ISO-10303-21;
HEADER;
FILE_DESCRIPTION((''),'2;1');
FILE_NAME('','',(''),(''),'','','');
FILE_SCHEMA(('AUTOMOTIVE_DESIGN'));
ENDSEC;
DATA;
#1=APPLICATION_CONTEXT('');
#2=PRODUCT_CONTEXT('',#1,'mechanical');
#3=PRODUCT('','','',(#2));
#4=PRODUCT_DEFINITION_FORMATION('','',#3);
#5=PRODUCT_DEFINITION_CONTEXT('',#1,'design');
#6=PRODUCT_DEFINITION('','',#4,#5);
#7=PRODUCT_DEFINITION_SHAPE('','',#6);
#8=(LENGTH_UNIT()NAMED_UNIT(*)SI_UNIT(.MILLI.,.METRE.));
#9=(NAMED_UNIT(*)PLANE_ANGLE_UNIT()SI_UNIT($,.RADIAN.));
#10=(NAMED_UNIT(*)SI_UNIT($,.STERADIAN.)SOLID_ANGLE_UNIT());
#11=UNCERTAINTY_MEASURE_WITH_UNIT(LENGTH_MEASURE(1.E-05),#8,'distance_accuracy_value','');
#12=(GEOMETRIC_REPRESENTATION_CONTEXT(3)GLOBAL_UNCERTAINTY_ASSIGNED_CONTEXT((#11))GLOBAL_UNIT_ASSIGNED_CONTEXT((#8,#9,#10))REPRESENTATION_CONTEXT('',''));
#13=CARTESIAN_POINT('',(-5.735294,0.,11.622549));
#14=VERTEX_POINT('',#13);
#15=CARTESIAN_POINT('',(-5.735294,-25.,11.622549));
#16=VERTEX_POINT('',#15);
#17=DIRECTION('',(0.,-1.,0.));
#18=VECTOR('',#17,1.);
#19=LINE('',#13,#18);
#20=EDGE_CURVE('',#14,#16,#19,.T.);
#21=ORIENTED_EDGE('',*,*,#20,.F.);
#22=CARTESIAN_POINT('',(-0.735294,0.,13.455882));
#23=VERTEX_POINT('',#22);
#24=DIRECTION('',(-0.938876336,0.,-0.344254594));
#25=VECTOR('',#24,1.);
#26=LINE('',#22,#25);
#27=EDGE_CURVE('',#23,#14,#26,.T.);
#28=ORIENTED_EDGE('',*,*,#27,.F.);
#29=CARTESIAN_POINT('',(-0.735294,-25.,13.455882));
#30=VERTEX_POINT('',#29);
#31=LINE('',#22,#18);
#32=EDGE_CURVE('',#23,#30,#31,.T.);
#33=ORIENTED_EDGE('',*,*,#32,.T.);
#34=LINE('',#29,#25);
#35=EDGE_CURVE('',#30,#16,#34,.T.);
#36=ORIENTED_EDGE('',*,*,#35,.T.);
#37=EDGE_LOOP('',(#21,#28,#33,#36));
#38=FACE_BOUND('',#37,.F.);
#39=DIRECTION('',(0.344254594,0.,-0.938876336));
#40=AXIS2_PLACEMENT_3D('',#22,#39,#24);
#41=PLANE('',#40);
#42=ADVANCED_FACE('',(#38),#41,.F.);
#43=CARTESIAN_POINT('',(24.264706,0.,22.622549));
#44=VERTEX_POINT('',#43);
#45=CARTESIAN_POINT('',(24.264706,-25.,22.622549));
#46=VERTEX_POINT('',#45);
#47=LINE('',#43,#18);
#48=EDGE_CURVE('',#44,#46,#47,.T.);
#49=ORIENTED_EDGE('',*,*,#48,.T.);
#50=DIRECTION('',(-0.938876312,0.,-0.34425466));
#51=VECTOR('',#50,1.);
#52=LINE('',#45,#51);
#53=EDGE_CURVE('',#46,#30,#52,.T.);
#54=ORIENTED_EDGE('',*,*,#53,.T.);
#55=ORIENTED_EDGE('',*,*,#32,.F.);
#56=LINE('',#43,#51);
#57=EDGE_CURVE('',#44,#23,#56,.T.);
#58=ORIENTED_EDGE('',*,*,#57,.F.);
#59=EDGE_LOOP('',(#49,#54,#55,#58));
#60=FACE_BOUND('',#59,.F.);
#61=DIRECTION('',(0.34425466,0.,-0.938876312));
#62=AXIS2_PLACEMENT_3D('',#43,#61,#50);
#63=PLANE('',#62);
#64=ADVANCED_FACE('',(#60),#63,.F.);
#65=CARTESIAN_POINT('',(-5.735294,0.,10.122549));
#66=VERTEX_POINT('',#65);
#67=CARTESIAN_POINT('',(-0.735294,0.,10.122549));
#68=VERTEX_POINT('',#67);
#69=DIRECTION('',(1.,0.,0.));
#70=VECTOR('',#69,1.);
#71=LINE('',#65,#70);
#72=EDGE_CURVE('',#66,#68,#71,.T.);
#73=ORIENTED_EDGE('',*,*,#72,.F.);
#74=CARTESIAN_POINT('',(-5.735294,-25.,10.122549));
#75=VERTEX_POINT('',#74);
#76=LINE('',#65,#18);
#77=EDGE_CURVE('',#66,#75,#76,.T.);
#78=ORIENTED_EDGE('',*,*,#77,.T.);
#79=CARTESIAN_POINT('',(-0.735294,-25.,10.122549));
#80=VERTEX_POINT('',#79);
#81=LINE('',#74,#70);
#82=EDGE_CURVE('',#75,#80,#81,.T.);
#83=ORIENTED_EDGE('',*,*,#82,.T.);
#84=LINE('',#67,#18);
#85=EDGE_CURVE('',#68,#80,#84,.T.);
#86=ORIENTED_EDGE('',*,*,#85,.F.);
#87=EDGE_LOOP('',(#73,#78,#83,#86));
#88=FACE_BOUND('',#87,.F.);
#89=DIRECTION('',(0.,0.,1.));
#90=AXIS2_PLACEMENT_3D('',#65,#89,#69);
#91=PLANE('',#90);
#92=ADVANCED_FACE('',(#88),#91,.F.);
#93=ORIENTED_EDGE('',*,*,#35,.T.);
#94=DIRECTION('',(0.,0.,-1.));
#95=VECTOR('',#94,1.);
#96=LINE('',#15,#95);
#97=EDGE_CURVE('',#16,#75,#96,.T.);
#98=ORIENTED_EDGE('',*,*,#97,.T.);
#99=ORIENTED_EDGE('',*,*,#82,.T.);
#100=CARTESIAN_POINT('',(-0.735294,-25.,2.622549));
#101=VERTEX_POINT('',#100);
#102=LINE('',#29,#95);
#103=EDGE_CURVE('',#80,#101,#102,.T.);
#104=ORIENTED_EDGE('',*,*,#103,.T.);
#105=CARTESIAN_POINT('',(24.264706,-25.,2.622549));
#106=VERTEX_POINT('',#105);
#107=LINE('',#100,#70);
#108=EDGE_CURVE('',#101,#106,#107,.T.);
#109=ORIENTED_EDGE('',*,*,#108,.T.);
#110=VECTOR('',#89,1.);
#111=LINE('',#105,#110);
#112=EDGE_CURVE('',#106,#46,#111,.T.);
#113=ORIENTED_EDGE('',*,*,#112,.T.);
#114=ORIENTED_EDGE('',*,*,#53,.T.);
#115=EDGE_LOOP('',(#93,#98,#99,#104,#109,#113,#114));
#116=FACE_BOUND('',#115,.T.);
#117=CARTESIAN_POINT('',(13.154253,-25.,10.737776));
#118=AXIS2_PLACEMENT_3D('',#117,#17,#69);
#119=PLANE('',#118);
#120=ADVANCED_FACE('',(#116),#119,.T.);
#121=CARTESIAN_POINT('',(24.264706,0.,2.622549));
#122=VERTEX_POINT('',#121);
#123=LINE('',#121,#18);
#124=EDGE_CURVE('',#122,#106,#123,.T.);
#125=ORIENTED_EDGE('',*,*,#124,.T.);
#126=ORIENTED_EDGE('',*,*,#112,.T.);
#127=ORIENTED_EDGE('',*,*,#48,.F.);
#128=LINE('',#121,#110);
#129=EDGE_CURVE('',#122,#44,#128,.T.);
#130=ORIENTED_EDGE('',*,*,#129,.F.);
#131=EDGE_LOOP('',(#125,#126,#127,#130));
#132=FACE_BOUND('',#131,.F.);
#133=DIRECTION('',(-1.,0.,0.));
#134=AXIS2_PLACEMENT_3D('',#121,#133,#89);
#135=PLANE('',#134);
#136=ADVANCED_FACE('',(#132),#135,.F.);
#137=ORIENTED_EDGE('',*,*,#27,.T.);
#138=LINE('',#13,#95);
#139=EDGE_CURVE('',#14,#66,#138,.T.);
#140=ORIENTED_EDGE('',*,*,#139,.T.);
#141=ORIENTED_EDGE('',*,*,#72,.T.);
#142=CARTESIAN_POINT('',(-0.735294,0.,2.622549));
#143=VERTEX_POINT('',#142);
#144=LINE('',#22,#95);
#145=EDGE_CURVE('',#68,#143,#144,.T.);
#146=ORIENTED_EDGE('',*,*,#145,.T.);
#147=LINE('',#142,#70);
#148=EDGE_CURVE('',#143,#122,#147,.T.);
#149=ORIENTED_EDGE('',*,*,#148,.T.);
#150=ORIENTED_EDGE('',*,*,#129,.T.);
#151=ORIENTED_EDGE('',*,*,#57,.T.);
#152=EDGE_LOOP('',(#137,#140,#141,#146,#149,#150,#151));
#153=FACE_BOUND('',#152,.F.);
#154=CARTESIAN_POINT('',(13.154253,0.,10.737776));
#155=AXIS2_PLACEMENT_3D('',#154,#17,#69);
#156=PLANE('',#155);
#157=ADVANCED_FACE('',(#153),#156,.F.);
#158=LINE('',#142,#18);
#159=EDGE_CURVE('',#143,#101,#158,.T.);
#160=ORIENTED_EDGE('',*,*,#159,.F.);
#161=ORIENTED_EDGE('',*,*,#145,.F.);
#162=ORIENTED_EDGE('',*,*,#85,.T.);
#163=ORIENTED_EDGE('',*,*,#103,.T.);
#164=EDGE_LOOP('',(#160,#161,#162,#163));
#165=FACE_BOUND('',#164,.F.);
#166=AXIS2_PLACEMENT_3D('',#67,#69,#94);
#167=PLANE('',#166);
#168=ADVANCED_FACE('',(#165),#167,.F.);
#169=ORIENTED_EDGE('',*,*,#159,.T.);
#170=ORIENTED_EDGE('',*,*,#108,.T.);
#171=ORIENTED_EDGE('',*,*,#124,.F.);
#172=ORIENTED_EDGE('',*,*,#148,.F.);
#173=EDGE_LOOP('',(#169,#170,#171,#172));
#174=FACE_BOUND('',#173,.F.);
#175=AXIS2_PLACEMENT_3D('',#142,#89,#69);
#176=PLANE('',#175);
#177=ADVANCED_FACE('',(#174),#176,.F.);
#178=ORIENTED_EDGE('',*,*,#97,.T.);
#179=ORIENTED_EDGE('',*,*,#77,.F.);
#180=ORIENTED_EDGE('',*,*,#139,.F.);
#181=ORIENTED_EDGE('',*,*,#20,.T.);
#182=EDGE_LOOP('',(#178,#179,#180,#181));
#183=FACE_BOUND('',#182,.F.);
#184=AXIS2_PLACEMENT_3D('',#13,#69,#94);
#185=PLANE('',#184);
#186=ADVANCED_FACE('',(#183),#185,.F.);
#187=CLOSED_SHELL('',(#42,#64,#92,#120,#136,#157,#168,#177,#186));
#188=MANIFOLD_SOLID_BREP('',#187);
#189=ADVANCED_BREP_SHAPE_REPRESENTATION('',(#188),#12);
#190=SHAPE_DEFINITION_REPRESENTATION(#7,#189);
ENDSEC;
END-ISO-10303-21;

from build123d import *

# Parameters (mm, degrees)
F1_DEPTH = 25


with BuildPart() as f1:
    # F0 (on Front) → F1 (new body)
    with BuildSketch(Plane.XZ):
        Polygon((24.264706, 7.622549), (24.264706, 22.622549), (-0.735294, 13.455882), (-0.735294, 10.122549), (-0.735294, 7.622549), (-0.735294, 2.622549), (4.264706, 2.622549), (24.264706, 2.622549), align=None)
        Polygon((-0.735294, 10.122549), (-0.735294, 13.455882), (-5.735294, 11.622549), (-5.735294, 10.122549), (-3.235294, 10.122549), align=None)
    extrude(amount=F1_DEPTH)


solid = f1.part
